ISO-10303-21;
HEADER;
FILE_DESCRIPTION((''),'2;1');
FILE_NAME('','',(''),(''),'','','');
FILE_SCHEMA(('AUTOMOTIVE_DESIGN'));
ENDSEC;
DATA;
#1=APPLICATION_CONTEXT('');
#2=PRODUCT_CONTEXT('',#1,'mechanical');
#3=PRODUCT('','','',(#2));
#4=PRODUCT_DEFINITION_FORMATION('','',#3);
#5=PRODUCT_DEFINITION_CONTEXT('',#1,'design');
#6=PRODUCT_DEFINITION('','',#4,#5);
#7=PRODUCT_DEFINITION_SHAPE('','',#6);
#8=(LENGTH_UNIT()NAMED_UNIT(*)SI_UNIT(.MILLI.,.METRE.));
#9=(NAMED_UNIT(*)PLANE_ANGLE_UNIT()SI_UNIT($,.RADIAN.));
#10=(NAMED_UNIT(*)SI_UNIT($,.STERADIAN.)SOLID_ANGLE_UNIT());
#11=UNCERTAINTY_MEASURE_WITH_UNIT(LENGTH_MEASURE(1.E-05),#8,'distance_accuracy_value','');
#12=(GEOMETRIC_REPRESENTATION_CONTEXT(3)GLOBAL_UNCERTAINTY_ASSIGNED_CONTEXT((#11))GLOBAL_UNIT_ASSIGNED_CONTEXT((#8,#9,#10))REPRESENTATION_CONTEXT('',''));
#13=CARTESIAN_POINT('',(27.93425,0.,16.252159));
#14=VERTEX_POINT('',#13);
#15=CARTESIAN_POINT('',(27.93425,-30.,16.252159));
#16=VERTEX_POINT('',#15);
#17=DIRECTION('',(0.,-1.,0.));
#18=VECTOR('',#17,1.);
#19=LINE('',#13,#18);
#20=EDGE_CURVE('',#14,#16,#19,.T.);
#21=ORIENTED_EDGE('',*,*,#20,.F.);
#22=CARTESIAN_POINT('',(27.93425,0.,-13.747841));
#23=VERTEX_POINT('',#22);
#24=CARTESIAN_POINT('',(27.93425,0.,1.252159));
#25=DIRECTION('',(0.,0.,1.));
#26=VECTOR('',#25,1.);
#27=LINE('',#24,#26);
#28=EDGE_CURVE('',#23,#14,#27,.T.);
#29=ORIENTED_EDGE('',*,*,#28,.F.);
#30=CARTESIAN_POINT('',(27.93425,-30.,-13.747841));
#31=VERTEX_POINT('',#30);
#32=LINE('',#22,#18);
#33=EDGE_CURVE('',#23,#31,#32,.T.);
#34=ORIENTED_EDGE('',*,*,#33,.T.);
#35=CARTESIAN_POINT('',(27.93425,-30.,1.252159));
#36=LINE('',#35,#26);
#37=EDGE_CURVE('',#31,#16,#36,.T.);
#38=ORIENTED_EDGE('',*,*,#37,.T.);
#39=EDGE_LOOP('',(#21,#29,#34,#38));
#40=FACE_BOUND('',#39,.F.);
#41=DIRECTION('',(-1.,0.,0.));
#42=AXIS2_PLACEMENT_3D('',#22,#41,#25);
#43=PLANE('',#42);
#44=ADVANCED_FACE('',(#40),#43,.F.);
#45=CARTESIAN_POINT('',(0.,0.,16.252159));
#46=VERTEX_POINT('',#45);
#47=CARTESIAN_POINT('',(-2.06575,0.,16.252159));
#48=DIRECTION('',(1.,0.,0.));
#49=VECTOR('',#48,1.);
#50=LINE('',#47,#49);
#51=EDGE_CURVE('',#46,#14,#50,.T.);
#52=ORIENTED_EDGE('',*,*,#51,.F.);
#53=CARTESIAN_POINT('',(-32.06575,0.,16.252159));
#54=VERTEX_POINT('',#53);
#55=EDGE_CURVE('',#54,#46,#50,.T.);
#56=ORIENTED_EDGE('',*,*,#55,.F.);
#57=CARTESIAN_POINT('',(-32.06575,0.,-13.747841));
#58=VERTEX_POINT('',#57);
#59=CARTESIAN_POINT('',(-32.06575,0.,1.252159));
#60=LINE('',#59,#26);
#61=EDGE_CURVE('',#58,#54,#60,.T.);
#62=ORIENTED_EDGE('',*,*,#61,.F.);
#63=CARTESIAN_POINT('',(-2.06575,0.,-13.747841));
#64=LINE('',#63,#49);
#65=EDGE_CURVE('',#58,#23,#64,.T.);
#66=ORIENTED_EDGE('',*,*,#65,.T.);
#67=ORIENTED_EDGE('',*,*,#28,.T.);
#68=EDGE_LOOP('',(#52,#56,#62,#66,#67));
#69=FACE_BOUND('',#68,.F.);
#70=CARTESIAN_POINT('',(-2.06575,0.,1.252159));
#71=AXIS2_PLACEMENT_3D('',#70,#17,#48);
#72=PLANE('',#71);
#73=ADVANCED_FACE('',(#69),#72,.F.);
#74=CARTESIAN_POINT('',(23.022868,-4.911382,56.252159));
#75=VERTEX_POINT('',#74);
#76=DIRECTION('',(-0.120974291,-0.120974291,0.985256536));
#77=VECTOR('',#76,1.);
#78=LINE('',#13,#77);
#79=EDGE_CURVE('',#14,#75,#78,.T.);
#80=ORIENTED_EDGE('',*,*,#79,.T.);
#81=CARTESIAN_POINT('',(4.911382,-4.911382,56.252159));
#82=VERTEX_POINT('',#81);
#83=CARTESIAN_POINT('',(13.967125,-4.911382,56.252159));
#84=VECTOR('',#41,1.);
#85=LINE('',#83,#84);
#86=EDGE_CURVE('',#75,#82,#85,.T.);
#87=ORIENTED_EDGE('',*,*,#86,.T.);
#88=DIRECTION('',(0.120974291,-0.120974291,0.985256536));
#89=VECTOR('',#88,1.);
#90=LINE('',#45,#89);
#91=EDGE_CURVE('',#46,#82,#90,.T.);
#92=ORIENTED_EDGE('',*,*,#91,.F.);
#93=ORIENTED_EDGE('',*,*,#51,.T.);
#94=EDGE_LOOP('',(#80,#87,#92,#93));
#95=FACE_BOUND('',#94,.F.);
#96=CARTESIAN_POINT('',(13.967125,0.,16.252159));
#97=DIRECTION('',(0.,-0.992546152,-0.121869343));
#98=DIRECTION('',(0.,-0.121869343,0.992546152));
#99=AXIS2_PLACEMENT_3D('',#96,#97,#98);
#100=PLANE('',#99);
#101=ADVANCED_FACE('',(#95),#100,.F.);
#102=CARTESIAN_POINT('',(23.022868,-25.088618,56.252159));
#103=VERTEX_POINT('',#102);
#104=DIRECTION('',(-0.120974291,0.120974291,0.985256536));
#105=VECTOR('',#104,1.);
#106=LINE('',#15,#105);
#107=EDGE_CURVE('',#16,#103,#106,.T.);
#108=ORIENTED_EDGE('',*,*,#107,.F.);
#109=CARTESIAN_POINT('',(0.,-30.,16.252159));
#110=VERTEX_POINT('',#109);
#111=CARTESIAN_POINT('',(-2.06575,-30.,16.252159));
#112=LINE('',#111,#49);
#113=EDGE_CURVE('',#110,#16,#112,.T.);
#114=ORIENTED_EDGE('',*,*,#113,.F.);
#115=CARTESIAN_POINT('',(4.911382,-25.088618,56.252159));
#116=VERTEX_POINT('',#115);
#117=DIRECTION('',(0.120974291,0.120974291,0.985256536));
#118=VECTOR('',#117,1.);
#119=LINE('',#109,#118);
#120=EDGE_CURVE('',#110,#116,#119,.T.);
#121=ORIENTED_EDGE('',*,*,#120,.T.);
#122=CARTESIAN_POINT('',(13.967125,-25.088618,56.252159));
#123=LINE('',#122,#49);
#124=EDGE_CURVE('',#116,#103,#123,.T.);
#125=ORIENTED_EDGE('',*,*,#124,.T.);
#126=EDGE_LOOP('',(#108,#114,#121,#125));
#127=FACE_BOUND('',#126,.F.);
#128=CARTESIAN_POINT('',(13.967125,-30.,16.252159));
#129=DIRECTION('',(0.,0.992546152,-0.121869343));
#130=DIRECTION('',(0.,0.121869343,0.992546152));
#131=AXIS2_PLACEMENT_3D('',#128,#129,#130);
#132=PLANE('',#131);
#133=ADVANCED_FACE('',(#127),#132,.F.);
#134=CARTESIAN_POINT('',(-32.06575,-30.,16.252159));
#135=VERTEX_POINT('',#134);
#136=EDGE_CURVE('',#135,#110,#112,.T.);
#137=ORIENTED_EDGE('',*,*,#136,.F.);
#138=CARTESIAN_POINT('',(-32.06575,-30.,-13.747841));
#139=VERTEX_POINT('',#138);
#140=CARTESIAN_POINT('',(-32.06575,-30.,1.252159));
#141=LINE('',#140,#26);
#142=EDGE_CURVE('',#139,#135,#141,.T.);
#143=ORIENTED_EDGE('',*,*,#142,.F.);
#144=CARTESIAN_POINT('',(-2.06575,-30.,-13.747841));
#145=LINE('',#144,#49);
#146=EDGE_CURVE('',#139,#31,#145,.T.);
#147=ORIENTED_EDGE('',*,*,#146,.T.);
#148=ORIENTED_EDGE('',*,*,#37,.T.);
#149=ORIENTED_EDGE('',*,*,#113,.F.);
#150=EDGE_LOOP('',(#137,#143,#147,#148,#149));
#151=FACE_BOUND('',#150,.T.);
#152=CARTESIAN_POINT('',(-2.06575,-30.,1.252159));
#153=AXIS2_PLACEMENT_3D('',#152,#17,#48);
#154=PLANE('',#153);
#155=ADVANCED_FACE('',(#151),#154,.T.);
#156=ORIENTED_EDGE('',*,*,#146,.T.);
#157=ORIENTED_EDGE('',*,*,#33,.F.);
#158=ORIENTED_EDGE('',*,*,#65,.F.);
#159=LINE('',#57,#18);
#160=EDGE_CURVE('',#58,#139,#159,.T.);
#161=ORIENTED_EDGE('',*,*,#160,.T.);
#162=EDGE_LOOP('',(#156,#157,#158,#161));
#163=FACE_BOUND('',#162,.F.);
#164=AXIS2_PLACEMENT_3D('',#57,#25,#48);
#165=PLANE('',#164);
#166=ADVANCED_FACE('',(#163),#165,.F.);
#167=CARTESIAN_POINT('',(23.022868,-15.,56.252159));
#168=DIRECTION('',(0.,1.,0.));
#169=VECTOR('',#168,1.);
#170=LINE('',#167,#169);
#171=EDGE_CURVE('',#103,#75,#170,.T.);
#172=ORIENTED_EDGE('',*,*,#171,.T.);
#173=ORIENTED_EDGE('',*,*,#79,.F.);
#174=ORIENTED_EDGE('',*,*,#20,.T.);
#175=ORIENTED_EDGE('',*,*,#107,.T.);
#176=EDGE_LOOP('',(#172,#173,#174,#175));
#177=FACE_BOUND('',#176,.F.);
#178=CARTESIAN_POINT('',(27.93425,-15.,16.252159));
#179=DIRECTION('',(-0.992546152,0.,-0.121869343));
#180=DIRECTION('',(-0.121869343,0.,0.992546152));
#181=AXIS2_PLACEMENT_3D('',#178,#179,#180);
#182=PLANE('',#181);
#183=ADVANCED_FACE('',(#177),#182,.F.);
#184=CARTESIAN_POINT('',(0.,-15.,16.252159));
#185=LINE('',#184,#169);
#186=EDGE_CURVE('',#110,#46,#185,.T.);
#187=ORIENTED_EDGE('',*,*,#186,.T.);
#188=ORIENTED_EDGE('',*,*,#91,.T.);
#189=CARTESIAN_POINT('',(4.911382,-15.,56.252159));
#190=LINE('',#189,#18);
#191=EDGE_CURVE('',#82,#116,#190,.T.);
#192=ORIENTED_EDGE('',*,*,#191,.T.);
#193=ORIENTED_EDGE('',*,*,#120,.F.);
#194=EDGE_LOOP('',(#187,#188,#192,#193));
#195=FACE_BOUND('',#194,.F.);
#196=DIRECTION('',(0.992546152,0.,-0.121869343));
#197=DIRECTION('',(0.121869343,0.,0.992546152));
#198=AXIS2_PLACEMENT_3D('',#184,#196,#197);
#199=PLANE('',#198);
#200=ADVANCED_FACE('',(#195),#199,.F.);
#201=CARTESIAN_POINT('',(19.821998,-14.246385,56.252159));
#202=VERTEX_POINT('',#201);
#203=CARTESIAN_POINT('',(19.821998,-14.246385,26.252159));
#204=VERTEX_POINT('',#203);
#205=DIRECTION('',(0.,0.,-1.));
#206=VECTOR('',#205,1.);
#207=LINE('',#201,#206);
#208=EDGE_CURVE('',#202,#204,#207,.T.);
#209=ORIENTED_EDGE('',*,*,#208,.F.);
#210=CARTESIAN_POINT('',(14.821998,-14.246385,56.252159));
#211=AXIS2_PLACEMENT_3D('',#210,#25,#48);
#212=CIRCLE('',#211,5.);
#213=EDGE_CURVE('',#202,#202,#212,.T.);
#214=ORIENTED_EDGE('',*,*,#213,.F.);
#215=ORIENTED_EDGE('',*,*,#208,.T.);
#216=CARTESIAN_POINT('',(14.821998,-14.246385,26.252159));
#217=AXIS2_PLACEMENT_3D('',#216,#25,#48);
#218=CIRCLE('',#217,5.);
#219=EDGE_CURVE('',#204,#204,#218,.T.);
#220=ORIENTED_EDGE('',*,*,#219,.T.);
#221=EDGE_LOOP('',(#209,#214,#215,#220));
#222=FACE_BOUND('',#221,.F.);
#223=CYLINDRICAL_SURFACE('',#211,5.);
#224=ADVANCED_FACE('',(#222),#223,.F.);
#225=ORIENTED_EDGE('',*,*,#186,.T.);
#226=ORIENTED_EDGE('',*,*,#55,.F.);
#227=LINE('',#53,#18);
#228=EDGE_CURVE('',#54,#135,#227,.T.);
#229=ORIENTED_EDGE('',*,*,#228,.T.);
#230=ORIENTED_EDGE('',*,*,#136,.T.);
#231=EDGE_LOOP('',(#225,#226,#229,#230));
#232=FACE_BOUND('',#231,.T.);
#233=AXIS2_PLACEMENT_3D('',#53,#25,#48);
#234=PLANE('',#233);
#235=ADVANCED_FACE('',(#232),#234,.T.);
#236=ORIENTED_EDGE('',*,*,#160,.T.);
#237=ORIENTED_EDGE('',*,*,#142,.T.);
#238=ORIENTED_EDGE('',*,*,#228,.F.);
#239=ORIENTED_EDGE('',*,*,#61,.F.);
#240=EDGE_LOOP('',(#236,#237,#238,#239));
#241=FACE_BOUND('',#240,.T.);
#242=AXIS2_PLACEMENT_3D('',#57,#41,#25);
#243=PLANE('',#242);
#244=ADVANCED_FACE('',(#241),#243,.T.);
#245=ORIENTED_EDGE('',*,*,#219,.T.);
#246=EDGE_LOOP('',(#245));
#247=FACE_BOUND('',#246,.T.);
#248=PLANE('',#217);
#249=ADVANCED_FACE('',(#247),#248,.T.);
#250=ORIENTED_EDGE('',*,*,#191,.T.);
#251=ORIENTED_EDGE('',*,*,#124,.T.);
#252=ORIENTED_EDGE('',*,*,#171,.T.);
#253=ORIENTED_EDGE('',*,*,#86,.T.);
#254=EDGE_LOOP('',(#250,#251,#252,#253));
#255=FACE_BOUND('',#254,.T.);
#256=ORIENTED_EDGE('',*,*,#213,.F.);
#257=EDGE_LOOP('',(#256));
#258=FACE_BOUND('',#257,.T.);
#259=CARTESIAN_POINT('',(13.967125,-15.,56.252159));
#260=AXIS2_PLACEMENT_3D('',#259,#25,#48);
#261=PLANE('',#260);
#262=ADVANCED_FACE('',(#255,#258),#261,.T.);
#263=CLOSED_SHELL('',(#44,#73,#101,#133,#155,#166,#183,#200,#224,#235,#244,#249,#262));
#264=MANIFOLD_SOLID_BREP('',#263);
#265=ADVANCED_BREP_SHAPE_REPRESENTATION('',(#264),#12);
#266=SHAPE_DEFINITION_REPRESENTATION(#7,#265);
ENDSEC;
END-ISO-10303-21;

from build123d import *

# Parameters (mm, degrees)
F0_W     = 60
F0_H     = 30
F1_DEPTH = 30
F2_W     = 27.9342501611
F2_H     = 30
F3_DEPTH = 40
F3_TAPER = 7
F4_R     = 5
F5_DEPTH = 30


with BuildPart() as f1:
    # F0 (on Front) → F1 (new body)
    with BuildSketch(Plane.XZ):
        with Locations((-2.0657498389, 1.2521591907)):
            Rectangle(F0_W, F0_H)
    extrude(amount=F1_DEPTH)

    # F2 (on face) → F3 (join)
    with BuildSketch(Plane.XY.offset(16.2521591907)):
        with Locations((13.9671250805, -15)):
            Rectangle(F2_W, F2_H)
    extrude(amount=F3_DEPTH, taper=F3_TAPER)

    # F4 (on face) → F5 (cut)
    with BuildSketch(Plane.XY.offset(56.2521591907)):
        with Locations((14.8219978437, -14.2463846132)):
            Circle(F4_R)
    extrude(amount=-F5_DEPTH, mode=Mode.SUBTRACT)


solid = f1.part
